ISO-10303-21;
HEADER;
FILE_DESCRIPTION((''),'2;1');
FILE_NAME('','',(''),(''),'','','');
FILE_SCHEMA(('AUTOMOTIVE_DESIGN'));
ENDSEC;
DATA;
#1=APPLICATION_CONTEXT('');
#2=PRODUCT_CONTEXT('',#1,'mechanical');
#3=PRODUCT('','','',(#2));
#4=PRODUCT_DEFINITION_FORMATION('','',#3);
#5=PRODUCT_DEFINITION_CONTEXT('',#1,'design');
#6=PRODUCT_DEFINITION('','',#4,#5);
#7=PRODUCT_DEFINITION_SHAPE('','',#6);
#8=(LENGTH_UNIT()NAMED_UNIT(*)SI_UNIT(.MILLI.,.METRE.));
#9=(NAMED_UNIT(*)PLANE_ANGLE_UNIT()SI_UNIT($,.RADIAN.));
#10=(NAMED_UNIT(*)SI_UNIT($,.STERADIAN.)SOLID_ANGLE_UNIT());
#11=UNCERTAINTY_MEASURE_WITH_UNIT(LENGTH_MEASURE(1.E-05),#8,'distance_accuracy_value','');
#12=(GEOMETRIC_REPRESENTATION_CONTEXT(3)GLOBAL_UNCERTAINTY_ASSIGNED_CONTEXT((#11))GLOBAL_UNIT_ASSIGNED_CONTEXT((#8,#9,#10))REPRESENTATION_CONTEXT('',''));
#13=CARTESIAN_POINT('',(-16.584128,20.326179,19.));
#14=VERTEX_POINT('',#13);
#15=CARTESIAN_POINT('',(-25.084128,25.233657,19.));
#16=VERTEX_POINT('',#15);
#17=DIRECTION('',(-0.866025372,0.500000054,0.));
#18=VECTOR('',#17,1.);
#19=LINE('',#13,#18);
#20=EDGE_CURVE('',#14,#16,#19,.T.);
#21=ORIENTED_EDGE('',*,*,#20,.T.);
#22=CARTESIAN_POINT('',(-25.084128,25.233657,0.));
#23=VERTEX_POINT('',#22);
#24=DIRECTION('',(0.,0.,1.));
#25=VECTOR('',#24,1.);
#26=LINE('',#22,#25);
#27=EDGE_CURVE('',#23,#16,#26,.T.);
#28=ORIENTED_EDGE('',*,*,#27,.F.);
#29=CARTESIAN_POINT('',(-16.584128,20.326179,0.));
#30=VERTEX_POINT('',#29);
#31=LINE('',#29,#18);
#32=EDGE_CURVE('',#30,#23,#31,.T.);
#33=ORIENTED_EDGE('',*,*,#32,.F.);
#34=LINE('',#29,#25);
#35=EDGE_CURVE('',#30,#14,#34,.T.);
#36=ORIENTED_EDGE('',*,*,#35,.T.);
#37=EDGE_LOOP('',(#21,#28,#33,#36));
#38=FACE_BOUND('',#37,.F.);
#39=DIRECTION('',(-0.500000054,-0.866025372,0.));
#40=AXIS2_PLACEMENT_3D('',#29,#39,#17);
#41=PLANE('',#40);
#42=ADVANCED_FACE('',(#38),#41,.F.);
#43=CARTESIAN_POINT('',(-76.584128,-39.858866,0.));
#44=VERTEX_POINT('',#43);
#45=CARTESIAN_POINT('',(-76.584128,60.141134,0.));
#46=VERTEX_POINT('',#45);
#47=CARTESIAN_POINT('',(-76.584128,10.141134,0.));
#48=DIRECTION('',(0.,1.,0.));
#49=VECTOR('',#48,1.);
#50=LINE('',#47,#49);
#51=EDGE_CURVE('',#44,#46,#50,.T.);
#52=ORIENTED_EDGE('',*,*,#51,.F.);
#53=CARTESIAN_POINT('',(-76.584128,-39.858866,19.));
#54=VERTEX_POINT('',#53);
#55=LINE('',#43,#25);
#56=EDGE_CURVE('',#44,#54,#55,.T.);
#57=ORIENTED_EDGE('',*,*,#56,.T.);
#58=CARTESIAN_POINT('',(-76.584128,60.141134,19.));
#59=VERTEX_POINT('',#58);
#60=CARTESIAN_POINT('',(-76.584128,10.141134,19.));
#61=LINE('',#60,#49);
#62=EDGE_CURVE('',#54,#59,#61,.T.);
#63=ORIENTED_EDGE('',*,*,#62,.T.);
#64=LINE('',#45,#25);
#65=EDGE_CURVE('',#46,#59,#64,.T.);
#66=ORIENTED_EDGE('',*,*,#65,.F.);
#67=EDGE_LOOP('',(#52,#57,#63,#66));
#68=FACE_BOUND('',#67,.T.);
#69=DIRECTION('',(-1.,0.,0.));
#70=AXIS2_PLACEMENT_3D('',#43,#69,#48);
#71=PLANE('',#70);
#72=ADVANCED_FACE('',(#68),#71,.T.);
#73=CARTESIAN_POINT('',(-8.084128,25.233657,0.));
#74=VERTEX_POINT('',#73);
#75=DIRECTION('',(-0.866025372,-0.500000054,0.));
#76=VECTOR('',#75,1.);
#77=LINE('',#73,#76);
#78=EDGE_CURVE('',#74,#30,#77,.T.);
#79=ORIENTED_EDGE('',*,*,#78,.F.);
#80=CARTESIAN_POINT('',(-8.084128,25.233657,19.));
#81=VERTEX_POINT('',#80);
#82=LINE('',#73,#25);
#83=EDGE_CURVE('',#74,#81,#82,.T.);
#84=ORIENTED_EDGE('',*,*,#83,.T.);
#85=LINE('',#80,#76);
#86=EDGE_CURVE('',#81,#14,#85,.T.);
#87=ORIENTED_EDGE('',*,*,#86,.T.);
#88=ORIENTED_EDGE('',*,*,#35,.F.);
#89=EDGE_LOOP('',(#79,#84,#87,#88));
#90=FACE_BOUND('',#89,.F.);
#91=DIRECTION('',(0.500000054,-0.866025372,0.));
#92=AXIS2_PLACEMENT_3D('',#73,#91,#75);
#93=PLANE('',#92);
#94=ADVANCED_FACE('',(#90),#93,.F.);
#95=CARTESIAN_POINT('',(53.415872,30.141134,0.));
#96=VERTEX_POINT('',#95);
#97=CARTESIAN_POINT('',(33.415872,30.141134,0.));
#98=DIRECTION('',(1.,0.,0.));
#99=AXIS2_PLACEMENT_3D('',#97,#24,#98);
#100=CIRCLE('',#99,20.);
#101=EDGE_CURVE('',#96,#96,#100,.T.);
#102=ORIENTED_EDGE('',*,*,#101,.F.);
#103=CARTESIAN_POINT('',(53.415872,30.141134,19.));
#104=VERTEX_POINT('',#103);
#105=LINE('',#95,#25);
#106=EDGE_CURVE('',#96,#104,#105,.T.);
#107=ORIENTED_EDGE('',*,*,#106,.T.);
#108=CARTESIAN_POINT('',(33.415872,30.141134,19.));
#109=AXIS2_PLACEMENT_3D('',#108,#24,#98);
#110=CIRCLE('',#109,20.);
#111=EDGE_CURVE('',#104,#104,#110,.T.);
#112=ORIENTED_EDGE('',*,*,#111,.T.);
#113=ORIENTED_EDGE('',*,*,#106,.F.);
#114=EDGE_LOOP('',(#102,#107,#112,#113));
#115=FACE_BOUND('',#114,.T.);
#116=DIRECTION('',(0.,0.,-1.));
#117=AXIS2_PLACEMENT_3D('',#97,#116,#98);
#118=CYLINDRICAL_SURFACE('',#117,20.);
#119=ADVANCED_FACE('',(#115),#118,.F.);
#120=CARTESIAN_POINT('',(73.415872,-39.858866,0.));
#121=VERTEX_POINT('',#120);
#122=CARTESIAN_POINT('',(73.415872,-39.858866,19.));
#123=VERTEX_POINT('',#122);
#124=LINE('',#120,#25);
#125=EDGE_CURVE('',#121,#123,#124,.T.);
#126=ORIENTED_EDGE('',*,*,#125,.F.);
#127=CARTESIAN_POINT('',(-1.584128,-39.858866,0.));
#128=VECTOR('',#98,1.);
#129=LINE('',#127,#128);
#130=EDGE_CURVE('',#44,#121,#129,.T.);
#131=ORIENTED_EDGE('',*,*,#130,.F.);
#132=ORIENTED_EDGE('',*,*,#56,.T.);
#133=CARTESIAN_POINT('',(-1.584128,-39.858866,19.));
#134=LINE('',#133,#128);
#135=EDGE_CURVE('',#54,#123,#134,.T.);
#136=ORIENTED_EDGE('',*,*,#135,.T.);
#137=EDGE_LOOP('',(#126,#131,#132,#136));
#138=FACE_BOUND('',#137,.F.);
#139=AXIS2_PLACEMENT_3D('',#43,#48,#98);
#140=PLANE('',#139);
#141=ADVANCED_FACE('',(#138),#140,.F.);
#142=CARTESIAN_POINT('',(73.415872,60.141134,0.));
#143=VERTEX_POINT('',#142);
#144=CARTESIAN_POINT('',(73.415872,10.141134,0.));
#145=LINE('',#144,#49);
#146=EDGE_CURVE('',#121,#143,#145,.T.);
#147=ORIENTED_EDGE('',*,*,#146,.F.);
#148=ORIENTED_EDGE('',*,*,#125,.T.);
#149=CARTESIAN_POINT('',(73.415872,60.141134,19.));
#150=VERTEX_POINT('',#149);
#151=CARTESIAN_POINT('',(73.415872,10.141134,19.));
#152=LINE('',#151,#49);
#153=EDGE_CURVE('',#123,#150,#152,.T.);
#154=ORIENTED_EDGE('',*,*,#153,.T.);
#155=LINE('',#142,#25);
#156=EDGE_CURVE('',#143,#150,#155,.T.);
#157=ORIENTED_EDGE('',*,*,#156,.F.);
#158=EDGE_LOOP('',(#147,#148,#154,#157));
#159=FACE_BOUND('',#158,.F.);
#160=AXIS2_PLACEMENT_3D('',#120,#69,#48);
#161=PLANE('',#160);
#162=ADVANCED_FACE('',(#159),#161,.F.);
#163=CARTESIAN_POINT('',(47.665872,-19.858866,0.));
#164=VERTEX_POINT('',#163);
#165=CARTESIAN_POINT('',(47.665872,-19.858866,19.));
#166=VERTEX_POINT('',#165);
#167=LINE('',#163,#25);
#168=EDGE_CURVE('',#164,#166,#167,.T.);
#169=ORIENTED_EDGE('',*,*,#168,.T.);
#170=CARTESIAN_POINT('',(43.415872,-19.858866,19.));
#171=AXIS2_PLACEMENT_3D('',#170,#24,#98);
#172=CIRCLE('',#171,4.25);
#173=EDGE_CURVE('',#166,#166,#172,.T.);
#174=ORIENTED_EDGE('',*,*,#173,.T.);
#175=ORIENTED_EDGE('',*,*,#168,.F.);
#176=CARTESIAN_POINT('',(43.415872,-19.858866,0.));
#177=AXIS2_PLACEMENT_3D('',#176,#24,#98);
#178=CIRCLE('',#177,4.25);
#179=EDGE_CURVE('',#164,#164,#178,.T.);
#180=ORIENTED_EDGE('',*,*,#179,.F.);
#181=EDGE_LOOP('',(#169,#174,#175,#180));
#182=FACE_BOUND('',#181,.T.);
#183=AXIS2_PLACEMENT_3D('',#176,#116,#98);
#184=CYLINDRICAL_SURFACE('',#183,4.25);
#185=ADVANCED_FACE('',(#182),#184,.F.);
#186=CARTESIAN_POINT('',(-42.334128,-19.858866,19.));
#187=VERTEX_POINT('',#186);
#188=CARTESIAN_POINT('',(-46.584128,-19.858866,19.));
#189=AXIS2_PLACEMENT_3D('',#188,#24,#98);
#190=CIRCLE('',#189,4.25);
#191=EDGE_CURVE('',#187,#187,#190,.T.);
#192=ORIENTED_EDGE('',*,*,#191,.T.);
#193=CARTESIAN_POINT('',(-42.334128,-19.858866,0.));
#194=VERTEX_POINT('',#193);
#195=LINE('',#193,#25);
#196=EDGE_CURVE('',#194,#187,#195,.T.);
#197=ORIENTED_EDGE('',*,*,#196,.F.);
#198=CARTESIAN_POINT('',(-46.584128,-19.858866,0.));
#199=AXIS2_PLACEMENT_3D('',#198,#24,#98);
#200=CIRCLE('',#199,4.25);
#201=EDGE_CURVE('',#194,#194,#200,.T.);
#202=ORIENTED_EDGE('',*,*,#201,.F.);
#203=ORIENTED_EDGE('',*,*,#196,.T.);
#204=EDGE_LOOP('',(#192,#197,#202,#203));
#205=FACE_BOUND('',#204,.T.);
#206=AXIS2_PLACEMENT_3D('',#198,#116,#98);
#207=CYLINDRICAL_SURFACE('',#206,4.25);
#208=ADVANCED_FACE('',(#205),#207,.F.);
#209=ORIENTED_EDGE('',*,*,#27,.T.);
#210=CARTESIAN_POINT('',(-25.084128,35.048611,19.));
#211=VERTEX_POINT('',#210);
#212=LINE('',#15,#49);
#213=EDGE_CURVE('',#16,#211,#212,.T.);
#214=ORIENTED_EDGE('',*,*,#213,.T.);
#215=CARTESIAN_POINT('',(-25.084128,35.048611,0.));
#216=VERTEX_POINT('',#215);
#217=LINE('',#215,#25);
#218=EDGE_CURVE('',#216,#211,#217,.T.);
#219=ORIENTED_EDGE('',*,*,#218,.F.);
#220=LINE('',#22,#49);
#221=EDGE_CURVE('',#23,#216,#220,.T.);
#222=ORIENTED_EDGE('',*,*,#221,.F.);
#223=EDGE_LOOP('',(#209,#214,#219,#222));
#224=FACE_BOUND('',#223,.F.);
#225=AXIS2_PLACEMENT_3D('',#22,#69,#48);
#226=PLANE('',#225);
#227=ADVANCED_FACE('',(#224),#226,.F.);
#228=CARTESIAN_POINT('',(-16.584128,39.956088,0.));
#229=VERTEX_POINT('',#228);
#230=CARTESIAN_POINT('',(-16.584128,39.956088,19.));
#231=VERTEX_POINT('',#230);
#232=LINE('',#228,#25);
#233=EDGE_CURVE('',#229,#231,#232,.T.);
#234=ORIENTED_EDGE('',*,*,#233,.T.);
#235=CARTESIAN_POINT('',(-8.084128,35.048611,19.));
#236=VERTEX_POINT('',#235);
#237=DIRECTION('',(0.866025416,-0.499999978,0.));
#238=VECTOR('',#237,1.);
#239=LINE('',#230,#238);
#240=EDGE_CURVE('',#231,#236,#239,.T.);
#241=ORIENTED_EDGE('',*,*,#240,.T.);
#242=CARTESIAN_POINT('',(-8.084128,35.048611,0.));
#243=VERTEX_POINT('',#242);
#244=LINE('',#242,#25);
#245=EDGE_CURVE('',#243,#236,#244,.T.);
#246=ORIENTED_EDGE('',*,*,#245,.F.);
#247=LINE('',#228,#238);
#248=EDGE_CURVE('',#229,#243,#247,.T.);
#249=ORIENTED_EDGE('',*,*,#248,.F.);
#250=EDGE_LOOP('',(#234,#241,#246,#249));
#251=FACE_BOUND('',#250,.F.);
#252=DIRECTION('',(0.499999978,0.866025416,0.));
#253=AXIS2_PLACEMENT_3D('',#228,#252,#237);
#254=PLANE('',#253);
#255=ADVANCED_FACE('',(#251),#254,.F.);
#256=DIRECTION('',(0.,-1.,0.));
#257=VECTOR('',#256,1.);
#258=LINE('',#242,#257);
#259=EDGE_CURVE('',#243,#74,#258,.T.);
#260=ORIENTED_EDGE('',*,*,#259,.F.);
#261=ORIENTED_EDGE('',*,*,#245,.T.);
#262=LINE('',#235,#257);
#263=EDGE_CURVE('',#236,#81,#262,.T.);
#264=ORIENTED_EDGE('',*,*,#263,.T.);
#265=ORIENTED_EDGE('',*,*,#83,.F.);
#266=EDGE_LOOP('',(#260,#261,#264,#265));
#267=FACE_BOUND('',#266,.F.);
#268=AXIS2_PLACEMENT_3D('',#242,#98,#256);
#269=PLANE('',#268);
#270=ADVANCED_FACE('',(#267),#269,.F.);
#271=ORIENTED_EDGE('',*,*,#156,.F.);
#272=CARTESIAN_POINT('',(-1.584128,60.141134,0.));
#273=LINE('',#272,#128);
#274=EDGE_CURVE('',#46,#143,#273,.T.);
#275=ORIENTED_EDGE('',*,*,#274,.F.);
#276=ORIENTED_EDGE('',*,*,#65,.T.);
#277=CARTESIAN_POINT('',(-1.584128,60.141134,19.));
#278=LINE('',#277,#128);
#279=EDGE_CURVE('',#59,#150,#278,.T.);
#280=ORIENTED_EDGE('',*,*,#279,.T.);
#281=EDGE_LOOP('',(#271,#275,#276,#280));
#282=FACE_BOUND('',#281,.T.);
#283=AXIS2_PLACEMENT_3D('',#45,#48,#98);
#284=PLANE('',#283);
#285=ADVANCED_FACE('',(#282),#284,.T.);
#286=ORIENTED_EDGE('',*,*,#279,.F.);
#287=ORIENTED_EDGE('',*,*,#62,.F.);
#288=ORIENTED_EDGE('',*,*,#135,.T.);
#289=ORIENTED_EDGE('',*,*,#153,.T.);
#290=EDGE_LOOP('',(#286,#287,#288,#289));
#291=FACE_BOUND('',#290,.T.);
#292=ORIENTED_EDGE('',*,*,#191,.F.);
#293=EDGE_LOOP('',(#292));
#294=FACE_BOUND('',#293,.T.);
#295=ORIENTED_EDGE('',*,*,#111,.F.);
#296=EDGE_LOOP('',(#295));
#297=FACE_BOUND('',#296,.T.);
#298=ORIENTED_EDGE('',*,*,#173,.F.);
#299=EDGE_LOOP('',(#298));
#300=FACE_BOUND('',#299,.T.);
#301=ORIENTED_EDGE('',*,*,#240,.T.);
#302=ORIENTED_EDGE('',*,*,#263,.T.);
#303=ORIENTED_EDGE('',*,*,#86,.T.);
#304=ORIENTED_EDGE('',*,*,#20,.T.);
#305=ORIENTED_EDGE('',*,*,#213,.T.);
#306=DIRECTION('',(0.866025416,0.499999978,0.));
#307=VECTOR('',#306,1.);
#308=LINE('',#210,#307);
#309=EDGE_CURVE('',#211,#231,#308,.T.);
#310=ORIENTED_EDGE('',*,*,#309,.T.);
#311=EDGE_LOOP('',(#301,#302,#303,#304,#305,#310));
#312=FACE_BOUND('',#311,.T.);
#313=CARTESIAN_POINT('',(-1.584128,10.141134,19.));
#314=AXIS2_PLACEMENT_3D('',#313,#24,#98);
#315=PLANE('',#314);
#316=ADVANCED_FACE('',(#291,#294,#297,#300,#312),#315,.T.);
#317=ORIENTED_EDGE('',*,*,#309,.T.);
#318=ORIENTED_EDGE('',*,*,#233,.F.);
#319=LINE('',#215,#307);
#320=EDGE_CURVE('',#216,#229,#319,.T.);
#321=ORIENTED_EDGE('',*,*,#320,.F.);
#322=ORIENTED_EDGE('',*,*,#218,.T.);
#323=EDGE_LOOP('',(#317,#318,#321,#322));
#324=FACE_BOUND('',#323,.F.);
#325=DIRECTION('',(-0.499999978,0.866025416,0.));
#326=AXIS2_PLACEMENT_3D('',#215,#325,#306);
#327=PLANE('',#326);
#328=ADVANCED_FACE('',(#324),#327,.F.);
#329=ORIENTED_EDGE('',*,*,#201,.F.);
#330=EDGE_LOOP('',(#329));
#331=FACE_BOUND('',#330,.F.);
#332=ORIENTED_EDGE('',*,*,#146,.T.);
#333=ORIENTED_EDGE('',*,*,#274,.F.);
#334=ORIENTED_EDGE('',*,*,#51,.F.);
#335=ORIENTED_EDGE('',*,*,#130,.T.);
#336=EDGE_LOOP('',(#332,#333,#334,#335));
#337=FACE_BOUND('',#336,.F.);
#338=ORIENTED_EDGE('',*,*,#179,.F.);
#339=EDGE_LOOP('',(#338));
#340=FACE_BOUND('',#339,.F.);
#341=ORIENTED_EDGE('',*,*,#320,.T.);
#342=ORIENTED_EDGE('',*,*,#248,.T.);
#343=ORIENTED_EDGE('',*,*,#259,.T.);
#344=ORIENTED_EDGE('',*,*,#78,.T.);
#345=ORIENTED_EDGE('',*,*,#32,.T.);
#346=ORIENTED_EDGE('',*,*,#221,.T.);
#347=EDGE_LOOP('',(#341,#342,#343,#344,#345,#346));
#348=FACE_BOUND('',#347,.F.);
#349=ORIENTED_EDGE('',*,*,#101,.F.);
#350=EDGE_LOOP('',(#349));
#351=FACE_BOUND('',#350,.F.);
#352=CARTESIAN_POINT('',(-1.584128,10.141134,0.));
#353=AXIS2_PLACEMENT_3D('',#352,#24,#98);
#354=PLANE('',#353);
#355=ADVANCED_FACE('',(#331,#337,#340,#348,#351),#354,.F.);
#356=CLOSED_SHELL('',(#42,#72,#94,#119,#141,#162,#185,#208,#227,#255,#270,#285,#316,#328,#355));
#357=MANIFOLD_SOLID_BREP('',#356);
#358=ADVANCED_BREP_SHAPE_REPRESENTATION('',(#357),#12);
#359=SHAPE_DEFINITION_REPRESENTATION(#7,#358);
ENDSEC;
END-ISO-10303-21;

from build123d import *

# Parameters (mm, degrees)
F0_W     = 150
F0_H     = 100
F0_R     = 4.25
F0_R_2   = 20
F1_DEPTH = 19


with BuildPart() as f1:
    # F0 (on Top) → F1 (new body)
    with BuildSketch(Plane.XY):
        with Locations((-1.584128, 10.141134)):
            Rectangle(F0_W, F0_H)
        with Locations((-46.584128, -19.858866)):
            Circle(F0_R, mode=Mode.SUBTRACT)
        with Locations((43.415872, -19.858866)):
            Circle(F0_R, mode=Mode.SUBTRACT)
        Polygon((-16.584128, 39.956088), (-8.084128, 35.048611), (-8.084128, 25.233657), (-16.584128, 20.326179), (-25.084128, 25.233657), (-25.084128, 35.048611), align=None, mode=Mode.SUBTRACT)
        with Locations((33.415872, 30.141134)):
            Circle(F0_R_2, mode=Mode.SUBTRACT)
    extrude(amount=F1_DEPTH)


solid = f1.part
